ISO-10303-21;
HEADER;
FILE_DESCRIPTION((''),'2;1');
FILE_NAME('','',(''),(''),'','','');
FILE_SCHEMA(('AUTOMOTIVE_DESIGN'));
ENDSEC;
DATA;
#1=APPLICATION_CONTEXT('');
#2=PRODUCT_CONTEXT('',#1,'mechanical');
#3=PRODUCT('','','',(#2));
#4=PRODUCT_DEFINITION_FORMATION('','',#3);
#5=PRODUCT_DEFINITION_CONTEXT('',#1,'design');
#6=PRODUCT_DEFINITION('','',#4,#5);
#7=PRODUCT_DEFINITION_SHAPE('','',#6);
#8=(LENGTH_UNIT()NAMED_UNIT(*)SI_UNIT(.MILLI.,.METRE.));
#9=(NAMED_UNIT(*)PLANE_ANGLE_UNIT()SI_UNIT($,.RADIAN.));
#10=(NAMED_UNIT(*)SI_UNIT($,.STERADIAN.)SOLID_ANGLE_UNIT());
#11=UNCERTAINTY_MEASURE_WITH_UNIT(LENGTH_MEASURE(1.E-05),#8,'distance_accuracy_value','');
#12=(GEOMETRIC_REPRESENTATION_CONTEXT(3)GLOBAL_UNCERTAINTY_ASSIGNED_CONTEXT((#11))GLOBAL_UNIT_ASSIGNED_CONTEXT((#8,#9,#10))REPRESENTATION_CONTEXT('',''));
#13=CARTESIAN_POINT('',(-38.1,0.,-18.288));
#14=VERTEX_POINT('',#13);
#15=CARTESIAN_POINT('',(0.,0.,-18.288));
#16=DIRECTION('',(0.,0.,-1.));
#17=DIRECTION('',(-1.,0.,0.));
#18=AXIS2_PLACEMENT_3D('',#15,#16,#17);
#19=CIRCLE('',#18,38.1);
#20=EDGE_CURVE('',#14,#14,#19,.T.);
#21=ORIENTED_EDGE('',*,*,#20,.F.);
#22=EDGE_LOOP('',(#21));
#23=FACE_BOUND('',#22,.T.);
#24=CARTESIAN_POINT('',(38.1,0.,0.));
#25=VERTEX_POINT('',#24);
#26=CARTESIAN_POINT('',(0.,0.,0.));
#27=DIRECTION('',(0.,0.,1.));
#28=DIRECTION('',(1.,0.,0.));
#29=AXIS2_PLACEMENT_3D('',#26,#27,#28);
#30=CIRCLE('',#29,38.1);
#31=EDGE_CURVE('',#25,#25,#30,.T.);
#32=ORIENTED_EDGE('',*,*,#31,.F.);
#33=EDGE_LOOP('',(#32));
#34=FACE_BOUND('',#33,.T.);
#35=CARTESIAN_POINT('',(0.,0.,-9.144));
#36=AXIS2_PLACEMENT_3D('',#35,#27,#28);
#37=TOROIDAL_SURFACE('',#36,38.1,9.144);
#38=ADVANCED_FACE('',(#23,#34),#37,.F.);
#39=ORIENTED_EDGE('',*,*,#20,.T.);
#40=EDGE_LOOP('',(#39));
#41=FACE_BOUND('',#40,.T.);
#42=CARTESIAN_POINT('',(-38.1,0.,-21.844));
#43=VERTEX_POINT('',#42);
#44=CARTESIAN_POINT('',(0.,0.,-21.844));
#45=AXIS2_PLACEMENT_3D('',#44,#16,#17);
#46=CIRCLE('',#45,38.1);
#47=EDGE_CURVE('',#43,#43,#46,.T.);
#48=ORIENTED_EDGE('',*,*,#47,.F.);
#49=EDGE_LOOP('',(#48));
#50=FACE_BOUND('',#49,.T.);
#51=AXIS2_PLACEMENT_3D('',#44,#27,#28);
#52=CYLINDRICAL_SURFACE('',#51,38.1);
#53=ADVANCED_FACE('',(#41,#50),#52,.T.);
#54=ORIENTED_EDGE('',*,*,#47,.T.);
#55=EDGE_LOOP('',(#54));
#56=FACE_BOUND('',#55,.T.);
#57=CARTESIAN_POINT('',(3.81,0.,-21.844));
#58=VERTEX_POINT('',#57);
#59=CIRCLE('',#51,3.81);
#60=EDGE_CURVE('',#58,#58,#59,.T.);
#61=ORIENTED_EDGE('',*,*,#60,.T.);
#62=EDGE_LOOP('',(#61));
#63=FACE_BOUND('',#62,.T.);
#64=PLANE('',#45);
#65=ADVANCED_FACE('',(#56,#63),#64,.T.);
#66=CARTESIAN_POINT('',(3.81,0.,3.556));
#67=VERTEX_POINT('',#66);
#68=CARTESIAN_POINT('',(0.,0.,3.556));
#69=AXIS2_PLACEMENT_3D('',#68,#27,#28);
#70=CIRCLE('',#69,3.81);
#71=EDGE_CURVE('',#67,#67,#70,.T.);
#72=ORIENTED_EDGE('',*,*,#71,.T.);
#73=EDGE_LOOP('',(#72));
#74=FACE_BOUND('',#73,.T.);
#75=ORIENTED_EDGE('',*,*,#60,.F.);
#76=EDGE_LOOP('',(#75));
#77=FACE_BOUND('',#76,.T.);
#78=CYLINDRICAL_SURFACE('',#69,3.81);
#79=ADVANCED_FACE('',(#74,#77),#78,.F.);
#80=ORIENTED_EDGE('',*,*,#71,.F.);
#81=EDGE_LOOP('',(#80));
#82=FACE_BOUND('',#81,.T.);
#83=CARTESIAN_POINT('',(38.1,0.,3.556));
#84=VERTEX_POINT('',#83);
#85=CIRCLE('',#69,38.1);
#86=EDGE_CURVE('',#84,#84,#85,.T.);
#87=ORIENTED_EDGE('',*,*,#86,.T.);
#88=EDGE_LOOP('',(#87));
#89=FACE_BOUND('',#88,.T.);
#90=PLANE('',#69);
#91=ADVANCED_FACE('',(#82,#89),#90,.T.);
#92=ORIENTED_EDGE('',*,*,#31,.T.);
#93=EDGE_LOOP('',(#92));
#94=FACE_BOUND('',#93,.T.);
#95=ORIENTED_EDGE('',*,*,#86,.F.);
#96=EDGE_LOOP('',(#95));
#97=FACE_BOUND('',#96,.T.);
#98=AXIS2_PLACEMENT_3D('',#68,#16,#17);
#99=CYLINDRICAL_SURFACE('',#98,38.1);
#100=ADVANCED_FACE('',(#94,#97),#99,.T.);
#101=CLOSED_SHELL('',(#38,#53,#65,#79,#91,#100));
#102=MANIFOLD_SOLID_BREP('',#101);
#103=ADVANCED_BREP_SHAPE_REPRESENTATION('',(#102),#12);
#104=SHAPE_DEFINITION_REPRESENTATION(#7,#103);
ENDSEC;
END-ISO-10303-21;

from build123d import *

# Parameters (mm, degrees)
SKETCH9_R                  = 38.1
BOSS_EXTRUDE2_DEPTH        = 3.556
BOSS_EXTRUDE3_START        = 3.556
SKETCH10_R                 = 38.1
BOSS_EXTRUDE3_DEPTH        = 3.556
F_3_4_0_3_DIAMETER_HOLE1_D = 7.62


with BuildPart() as part:
    # Sketch5 → Revolve1 (revolve)
    with BuildSketch(Plane(origin=(0, 0, 0), x_dir=(1, 0, 0), z_dir=(0, 1, 0)), mode=Mode.PRIVATE) as revolve1_sk:
        with BuildLine():
            Line((0, 0), (-38.1, 0))
            ThreePointArc((-38.1, 0), (-28.956, 9.144), (-38.1, 18.288))
            Line((-38.1, 18.288), (0, 18.288))
            Line((0, 18.288), (0, 0))
        make_face()
    revolve(revolve1_sk.sketch.rotate(Axis((0, 0, 0), (0, 0, -1)), 180), axis=Axis((0, 0, 0), (0, 0, -1)))

    # Sketch9 → Boss-Extrude2 (add)
    with BuildSketch(Plane.XY):
        Circle(SKETCH9_R)
    extrude(amount=BOSS_EXTRUDE2_DEPTH)

    # Sketch10 → Boss-Extrude3 (add)
    with BuildSketch(Plane(origin=(0, 0, -18.288), x_dir=(-1, 0, 0), z_dir=(0, 0, -1)).offset(BOSS_EXTRUDE3_START)):
        with Locations(Location((0, 0, 0), (0, 0, 180))):
            Circle(SKETCH10_R)
    extrude(amount=-BOSS_EXTRUDE3_DEPTH)

    # 3/4 (0.3) Diameter Hole1 (through all)
    with Locations(Plane.XY.offset(3.556)):
        with Locations((0, 0)):
            Hole(F_3_4_0_3_DIAMETER_HOLE1_D / 2)


solid = part.part
